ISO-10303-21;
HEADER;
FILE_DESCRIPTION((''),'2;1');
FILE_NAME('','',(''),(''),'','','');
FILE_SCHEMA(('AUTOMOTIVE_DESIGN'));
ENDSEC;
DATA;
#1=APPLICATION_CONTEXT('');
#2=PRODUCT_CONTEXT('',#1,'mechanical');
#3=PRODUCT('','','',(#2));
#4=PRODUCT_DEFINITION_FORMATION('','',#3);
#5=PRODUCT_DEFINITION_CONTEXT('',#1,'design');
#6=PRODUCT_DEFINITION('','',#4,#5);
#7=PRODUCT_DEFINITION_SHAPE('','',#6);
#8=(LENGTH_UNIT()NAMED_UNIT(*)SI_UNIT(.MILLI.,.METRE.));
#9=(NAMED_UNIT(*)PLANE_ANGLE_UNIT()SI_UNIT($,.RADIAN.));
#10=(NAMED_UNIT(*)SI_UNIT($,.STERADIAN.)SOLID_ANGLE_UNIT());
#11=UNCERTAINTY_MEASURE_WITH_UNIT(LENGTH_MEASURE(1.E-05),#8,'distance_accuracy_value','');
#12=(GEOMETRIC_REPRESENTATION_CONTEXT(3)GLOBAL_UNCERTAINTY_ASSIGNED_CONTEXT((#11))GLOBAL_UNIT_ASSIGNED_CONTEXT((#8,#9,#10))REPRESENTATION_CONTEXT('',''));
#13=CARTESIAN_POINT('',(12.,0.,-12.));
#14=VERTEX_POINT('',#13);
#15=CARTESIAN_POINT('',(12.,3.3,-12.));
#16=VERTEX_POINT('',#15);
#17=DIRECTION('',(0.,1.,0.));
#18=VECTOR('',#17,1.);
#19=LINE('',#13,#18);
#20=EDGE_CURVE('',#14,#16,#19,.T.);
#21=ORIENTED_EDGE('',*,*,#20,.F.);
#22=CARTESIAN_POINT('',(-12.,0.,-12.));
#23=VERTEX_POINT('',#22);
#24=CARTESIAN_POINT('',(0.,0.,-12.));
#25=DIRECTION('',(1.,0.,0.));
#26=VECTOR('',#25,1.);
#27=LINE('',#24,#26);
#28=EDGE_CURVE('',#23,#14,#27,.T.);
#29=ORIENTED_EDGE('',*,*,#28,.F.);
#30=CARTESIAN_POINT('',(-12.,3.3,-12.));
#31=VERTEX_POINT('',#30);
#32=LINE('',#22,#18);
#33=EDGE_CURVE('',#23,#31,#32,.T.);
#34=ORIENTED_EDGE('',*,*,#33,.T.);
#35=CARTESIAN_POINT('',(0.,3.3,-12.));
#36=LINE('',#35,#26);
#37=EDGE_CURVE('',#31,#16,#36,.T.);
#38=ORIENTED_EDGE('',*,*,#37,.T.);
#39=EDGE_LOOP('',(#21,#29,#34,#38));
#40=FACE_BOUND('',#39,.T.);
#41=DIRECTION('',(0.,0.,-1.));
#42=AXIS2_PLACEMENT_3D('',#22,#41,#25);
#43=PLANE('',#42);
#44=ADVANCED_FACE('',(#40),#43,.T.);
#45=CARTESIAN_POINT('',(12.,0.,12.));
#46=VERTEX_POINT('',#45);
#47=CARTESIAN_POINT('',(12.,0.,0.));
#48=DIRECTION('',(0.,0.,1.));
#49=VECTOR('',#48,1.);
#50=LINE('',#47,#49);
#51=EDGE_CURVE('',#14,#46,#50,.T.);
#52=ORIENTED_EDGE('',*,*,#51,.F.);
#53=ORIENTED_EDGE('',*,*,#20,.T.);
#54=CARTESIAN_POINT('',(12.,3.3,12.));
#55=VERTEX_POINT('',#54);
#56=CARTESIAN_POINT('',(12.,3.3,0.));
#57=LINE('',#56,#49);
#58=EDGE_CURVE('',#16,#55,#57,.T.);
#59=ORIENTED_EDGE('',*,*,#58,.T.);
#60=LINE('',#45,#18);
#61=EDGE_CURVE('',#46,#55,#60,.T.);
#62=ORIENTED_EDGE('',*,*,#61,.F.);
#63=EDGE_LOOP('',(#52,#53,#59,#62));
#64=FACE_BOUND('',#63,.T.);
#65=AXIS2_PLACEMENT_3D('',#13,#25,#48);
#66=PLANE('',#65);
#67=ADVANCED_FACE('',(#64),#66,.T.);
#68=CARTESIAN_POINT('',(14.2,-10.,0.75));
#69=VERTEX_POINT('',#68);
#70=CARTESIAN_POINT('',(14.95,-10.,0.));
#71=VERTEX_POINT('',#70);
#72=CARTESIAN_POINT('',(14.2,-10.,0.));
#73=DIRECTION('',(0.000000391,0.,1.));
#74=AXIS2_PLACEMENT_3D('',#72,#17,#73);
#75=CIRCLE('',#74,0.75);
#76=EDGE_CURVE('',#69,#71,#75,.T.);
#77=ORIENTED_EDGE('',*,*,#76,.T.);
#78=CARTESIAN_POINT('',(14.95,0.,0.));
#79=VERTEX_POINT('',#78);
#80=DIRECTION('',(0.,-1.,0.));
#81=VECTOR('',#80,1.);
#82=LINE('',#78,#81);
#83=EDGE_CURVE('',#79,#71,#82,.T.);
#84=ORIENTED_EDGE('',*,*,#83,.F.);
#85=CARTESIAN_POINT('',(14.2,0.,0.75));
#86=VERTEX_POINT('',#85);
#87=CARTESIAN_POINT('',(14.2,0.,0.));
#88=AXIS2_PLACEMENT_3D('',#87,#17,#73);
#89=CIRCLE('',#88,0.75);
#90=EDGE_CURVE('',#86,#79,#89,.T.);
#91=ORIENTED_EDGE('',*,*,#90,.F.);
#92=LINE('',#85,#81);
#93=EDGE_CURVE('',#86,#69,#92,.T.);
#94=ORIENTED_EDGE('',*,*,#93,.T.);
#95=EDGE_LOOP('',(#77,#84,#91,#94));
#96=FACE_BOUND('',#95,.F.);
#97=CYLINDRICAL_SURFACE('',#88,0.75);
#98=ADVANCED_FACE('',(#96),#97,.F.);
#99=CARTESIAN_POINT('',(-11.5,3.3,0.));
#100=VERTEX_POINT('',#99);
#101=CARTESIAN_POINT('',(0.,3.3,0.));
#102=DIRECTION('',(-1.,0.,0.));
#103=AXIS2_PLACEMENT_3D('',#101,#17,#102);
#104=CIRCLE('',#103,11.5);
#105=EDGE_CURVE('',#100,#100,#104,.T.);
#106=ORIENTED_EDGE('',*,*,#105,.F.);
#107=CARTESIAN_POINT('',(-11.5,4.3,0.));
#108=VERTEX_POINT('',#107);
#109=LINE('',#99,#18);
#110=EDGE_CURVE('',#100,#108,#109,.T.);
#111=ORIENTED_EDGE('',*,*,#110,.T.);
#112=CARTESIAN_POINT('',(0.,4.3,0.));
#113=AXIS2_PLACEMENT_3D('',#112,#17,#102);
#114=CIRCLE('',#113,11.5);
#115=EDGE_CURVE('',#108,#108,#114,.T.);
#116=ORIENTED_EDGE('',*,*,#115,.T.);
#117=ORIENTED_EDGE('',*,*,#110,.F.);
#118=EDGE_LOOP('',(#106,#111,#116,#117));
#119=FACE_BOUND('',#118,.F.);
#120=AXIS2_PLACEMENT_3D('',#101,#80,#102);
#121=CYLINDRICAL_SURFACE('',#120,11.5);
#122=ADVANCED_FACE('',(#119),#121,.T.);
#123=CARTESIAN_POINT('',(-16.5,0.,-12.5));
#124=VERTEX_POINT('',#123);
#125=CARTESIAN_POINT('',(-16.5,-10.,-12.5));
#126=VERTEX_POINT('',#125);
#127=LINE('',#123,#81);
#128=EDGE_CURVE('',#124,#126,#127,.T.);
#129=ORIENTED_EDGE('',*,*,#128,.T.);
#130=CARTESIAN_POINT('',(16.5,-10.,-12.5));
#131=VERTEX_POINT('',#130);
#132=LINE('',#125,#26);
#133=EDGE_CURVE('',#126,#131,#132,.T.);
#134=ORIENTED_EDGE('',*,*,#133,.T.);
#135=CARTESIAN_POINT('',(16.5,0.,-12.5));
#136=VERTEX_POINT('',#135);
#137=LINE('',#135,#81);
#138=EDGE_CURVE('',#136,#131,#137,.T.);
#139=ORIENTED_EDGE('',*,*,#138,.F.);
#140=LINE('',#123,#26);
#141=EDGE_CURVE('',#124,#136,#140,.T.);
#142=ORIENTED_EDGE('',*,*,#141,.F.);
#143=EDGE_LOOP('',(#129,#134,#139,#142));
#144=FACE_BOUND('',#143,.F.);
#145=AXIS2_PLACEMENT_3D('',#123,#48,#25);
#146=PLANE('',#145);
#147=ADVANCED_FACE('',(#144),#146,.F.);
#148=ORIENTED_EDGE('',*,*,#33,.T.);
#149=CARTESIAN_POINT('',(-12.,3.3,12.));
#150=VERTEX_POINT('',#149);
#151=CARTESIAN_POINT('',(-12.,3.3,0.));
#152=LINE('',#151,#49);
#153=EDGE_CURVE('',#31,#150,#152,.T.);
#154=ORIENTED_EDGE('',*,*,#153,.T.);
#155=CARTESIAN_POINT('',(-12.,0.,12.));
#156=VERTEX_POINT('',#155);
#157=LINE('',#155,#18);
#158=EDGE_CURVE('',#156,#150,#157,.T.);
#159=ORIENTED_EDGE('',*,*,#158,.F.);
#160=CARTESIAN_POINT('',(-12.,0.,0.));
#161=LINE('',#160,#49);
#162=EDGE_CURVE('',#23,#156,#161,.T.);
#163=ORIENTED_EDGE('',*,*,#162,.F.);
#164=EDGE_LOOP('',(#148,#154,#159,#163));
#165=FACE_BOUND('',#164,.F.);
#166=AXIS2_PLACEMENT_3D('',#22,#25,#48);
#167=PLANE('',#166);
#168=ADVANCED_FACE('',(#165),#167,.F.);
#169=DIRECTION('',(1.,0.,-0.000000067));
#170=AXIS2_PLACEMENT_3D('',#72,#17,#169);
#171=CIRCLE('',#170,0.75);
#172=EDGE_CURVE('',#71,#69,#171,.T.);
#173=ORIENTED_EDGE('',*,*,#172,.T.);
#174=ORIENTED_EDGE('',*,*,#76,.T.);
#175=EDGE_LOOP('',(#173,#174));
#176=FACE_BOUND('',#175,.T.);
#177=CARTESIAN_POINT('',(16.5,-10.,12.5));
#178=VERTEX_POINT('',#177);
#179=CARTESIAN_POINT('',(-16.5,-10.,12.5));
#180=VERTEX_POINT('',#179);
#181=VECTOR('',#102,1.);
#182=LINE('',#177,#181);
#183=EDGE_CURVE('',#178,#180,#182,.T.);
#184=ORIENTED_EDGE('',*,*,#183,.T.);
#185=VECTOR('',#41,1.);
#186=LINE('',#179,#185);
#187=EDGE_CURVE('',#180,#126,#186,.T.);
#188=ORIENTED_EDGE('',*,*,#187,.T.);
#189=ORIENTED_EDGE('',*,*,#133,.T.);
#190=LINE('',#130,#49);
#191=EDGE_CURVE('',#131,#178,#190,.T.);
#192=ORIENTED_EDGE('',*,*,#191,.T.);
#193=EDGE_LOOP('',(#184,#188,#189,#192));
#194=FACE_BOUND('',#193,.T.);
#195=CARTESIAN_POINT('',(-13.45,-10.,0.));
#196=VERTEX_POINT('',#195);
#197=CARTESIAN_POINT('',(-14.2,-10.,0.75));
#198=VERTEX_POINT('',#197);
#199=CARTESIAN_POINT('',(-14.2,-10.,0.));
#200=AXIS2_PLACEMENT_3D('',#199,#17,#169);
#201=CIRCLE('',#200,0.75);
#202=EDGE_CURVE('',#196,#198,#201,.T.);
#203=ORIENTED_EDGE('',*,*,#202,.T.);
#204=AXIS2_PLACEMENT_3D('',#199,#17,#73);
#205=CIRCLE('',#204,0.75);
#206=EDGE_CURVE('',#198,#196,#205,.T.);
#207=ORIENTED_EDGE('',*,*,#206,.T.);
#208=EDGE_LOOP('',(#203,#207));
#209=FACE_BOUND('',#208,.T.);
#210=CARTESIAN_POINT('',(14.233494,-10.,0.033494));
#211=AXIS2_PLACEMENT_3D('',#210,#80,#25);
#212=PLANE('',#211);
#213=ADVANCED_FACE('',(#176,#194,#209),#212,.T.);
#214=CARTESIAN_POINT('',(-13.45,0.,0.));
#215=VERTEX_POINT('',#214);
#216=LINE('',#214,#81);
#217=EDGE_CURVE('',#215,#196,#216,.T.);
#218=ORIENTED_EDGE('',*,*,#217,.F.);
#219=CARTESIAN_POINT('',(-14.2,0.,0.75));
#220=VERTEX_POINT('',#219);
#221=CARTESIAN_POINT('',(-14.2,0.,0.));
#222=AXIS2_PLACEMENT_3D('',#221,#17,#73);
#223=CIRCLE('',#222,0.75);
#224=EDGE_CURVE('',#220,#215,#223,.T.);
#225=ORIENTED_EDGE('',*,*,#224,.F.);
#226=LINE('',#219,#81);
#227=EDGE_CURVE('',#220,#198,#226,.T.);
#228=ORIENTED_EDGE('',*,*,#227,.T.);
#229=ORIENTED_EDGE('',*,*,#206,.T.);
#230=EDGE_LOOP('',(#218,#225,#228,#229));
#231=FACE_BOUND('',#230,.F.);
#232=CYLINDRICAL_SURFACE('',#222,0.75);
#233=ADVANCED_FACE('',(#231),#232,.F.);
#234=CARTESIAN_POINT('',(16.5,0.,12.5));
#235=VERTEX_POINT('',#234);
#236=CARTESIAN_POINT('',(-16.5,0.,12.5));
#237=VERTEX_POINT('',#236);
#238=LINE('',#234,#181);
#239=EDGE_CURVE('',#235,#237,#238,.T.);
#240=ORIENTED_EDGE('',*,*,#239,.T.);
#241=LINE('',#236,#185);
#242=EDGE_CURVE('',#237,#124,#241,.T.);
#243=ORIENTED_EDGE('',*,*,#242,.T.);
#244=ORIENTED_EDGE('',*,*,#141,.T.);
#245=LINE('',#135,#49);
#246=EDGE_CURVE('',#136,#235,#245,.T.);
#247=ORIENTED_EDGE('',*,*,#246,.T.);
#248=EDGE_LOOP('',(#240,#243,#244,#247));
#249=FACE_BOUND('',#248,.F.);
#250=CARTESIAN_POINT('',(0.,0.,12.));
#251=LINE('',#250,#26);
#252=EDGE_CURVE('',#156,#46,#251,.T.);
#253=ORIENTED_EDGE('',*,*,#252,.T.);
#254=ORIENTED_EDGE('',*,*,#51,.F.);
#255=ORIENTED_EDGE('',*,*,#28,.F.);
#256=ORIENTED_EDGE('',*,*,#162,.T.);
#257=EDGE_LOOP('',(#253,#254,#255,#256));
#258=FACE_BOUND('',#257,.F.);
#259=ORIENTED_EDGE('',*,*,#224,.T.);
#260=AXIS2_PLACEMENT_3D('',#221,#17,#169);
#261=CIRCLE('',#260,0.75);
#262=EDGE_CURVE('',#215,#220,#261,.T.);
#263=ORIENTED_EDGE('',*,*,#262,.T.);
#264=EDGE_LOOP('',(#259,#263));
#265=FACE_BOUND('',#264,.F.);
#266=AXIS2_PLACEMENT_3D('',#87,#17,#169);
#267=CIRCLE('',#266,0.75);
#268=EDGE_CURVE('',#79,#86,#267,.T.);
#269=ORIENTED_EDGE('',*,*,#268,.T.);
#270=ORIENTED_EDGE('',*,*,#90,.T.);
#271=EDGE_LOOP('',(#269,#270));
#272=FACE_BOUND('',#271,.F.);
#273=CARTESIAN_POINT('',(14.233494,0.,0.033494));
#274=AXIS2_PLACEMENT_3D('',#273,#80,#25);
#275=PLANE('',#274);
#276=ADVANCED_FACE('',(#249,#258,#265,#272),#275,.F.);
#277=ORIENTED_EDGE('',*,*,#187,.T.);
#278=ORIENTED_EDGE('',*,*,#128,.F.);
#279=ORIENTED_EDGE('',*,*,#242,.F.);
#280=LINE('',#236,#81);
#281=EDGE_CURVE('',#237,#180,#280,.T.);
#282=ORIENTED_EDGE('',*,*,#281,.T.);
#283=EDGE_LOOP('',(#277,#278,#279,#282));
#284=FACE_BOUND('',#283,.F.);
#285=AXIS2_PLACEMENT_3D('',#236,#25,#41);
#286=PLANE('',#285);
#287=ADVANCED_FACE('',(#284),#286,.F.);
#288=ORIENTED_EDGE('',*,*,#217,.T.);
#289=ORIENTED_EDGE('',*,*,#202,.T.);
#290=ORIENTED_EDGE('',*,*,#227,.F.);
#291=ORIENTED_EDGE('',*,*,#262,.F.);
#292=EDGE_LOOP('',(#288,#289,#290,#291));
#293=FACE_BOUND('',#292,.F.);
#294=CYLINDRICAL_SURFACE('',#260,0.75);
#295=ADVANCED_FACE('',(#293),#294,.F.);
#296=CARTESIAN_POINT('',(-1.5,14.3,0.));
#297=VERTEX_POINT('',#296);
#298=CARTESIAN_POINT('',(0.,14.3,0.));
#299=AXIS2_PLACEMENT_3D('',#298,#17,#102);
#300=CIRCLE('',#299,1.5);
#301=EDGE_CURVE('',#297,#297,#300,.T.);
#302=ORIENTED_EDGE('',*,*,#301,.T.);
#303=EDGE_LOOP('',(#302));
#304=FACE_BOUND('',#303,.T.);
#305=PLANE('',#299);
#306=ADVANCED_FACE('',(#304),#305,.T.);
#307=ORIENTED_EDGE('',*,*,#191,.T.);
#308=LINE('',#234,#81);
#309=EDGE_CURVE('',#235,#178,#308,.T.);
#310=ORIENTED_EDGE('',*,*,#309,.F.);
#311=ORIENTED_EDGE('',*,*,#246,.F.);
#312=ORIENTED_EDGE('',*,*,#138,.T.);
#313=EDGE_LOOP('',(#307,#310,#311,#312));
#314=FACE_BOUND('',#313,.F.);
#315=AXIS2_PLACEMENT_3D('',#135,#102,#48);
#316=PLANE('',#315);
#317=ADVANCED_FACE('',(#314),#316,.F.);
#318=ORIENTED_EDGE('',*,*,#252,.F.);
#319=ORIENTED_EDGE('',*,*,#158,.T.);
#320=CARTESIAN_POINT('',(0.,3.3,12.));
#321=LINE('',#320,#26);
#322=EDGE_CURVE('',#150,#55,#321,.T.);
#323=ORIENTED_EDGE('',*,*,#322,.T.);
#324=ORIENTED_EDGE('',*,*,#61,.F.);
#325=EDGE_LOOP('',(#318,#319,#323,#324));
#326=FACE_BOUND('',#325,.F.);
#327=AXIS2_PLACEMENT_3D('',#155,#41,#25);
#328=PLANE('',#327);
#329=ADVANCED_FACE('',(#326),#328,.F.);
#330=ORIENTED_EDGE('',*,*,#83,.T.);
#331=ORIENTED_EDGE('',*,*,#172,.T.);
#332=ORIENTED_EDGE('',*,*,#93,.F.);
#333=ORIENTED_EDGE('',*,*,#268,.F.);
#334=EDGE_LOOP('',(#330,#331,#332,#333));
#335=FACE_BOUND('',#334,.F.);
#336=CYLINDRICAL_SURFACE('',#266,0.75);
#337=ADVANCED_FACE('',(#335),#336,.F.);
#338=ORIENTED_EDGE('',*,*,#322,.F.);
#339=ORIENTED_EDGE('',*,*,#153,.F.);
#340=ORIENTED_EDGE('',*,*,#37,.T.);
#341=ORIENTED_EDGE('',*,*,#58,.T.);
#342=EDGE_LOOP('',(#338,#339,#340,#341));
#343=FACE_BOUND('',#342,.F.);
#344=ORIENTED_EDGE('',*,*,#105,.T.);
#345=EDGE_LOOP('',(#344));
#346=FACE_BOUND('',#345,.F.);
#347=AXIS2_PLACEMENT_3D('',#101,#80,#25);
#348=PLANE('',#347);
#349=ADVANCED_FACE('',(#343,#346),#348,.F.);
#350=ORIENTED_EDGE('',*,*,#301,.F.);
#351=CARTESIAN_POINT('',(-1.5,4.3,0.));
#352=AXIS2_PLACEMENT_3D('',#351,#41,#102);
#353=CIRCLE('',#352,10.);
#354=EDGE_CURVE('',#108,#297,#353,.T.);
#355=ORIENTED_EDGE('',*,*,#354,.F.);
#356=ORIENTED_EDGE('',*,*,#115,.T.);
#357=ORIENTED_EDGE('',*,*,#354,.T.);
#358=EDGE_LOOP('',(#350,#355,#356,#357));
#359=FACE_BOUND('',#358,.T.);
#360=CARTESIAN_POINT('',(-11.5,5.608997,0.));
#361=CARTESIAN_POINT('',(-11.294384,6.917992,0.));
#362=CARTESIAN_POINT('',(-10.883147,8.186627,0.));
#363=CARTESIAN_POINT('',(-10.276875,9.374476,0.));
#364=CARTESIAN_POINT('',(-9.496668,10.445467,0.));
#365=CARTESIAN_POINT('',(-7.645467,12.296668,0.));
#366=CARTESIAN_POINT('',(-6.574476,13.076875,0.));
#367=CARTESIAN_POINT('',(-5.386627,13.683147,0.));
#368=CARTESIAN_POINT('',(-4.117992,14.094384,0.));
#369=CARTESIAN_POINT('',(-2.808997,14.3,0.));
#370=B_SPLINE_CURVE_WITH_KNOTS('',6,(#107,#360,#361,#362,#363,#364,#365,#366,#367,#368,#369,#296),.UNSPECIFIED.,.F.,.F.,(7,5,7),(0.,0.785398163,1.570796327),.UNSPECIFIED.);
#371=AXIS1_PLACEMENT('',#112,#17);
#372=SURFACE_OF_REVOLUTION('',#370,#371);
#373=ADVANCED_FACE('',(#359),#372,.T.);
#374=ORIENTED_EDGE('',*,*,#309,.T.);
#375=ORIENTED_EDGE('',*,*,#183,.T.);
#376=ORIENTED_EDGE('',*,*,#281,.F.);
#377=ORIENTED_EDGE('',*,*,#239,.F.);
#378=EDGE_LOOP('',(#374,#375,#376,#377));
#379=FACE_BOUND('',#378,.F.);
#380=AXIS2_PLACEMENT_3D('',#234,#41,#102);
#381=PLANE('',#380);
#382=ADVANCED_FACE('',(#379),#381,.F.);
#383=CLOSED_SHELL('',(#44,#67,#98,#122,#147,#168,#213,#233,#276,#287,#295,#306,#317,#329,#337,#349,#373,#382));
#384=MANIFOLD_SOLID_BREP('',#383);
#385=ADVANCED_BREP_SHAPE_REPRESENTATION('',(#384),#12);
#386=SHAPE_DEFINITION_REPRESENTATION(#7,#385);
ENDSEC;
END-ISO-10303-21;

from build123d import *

# Parameters (mm, degrees)
F0_W     = 24
F0_H     = 24
F1_DEPTH = 10
F2_DEPTH = 3.3
F3_R     = 11.5
F4_DEPTH = 11
F5_R     = 10
F6_DEPTH = 10


with BuildPart() as f1:
    # F0 (on Front) → F1 (new body)
    with BuildSketch(Plane.XZ):
        with BuildLine():
            ThreePointArc((14.95, 0), (14.73033, 0.53033), (14.2, 0.75))
            ThreePointArc((14.2, 0.75), (13.66967, -0.53033), (14.95, 0))
        make_face()
        with BuildLine():
            ThreePointArc((-13.45, 0), (-13.66967, 0.53033), (-14.2, 0.75))
            ThreePointArc((-14.2, 0.75), (-14.73033, -0.53033), (-13.45, 0))
        make_face()
        Polygon((-16.5, -12.5), (16.5, -12.5), (16.5, 12.5), (14.2, 12.5), (-14.2, 12.5), (-16.5, 12.5), align=None)
        with BuildLine():
            ThreePointArc((-13.45, 0), (-14.73033, -0.53033), (-14.2, 0.75))
            ThreePointArc((-14.2, 0.75), (-13.66967, 0.53033), (-13.45, 0))
        make_face(mode=Mode.SUBTRACT)
        Rectangle(F0_W, F0_H, mode=Mode.SUBTRACT)
        with BuildLine():
            ThreePointArc((14.95, 0), (13.66967, -0.53033), (14.2, 0.75))
            ThreePointArc((14.2, 0.75), (14.73033, 0.53033), (14.95, 0))
        make_face(mode=Mode.SUBTRACT)
        Rectangle(F0_W, F0_H)
    extrude(amount=F1_DEPTH)

    # F0 (on Front) → F2 (join)
    with BuildSketch(Plane.XZ):
        Rectangle(F0_W, F0_H)
    extrude(amount=-F2_DEPTH)

    # F3 (on face) → F4 (join)
    with BuildSketch(Plane(origin=(0, 3.3, 0), x_dir=(-1, 0, 0), z_dir=(0, 1, 0))):
        Circle(F3_R)
    extrude(amount=F4_DEPTH)

    # F5
    f5_edges = [f1.edges().sort_by_distance(p)[0] for p in [
        (11.5, 14.3, 0),
    ]]
    fillet(f5_edges, radius=F5_R)

    # F0 (on Front) → F6 (cut)
    with BuildSketch(Plane.XZ):
        with BuildLine():
            ThreePointArc((14.95, 0), (14.73033, 0.53033), (14.2, 0.75))
            ThreePointArc((14.2, 0.75), (13.66967, -0.53033), (14.95, 0))
        make_face()
        with BuildLine():
            ThreePointArc((-13.45, 0), (-13.66967, 0.53033), (-14.2, 0.75))
            ThreePointArc((-14.2, 0.75), (-14.73033, -0.53033), (-13.45, 0))
        make_face()
    extrude(amount=F6_DEPTH, mode=Mode.SUBTRACT)


solid = f1.part
